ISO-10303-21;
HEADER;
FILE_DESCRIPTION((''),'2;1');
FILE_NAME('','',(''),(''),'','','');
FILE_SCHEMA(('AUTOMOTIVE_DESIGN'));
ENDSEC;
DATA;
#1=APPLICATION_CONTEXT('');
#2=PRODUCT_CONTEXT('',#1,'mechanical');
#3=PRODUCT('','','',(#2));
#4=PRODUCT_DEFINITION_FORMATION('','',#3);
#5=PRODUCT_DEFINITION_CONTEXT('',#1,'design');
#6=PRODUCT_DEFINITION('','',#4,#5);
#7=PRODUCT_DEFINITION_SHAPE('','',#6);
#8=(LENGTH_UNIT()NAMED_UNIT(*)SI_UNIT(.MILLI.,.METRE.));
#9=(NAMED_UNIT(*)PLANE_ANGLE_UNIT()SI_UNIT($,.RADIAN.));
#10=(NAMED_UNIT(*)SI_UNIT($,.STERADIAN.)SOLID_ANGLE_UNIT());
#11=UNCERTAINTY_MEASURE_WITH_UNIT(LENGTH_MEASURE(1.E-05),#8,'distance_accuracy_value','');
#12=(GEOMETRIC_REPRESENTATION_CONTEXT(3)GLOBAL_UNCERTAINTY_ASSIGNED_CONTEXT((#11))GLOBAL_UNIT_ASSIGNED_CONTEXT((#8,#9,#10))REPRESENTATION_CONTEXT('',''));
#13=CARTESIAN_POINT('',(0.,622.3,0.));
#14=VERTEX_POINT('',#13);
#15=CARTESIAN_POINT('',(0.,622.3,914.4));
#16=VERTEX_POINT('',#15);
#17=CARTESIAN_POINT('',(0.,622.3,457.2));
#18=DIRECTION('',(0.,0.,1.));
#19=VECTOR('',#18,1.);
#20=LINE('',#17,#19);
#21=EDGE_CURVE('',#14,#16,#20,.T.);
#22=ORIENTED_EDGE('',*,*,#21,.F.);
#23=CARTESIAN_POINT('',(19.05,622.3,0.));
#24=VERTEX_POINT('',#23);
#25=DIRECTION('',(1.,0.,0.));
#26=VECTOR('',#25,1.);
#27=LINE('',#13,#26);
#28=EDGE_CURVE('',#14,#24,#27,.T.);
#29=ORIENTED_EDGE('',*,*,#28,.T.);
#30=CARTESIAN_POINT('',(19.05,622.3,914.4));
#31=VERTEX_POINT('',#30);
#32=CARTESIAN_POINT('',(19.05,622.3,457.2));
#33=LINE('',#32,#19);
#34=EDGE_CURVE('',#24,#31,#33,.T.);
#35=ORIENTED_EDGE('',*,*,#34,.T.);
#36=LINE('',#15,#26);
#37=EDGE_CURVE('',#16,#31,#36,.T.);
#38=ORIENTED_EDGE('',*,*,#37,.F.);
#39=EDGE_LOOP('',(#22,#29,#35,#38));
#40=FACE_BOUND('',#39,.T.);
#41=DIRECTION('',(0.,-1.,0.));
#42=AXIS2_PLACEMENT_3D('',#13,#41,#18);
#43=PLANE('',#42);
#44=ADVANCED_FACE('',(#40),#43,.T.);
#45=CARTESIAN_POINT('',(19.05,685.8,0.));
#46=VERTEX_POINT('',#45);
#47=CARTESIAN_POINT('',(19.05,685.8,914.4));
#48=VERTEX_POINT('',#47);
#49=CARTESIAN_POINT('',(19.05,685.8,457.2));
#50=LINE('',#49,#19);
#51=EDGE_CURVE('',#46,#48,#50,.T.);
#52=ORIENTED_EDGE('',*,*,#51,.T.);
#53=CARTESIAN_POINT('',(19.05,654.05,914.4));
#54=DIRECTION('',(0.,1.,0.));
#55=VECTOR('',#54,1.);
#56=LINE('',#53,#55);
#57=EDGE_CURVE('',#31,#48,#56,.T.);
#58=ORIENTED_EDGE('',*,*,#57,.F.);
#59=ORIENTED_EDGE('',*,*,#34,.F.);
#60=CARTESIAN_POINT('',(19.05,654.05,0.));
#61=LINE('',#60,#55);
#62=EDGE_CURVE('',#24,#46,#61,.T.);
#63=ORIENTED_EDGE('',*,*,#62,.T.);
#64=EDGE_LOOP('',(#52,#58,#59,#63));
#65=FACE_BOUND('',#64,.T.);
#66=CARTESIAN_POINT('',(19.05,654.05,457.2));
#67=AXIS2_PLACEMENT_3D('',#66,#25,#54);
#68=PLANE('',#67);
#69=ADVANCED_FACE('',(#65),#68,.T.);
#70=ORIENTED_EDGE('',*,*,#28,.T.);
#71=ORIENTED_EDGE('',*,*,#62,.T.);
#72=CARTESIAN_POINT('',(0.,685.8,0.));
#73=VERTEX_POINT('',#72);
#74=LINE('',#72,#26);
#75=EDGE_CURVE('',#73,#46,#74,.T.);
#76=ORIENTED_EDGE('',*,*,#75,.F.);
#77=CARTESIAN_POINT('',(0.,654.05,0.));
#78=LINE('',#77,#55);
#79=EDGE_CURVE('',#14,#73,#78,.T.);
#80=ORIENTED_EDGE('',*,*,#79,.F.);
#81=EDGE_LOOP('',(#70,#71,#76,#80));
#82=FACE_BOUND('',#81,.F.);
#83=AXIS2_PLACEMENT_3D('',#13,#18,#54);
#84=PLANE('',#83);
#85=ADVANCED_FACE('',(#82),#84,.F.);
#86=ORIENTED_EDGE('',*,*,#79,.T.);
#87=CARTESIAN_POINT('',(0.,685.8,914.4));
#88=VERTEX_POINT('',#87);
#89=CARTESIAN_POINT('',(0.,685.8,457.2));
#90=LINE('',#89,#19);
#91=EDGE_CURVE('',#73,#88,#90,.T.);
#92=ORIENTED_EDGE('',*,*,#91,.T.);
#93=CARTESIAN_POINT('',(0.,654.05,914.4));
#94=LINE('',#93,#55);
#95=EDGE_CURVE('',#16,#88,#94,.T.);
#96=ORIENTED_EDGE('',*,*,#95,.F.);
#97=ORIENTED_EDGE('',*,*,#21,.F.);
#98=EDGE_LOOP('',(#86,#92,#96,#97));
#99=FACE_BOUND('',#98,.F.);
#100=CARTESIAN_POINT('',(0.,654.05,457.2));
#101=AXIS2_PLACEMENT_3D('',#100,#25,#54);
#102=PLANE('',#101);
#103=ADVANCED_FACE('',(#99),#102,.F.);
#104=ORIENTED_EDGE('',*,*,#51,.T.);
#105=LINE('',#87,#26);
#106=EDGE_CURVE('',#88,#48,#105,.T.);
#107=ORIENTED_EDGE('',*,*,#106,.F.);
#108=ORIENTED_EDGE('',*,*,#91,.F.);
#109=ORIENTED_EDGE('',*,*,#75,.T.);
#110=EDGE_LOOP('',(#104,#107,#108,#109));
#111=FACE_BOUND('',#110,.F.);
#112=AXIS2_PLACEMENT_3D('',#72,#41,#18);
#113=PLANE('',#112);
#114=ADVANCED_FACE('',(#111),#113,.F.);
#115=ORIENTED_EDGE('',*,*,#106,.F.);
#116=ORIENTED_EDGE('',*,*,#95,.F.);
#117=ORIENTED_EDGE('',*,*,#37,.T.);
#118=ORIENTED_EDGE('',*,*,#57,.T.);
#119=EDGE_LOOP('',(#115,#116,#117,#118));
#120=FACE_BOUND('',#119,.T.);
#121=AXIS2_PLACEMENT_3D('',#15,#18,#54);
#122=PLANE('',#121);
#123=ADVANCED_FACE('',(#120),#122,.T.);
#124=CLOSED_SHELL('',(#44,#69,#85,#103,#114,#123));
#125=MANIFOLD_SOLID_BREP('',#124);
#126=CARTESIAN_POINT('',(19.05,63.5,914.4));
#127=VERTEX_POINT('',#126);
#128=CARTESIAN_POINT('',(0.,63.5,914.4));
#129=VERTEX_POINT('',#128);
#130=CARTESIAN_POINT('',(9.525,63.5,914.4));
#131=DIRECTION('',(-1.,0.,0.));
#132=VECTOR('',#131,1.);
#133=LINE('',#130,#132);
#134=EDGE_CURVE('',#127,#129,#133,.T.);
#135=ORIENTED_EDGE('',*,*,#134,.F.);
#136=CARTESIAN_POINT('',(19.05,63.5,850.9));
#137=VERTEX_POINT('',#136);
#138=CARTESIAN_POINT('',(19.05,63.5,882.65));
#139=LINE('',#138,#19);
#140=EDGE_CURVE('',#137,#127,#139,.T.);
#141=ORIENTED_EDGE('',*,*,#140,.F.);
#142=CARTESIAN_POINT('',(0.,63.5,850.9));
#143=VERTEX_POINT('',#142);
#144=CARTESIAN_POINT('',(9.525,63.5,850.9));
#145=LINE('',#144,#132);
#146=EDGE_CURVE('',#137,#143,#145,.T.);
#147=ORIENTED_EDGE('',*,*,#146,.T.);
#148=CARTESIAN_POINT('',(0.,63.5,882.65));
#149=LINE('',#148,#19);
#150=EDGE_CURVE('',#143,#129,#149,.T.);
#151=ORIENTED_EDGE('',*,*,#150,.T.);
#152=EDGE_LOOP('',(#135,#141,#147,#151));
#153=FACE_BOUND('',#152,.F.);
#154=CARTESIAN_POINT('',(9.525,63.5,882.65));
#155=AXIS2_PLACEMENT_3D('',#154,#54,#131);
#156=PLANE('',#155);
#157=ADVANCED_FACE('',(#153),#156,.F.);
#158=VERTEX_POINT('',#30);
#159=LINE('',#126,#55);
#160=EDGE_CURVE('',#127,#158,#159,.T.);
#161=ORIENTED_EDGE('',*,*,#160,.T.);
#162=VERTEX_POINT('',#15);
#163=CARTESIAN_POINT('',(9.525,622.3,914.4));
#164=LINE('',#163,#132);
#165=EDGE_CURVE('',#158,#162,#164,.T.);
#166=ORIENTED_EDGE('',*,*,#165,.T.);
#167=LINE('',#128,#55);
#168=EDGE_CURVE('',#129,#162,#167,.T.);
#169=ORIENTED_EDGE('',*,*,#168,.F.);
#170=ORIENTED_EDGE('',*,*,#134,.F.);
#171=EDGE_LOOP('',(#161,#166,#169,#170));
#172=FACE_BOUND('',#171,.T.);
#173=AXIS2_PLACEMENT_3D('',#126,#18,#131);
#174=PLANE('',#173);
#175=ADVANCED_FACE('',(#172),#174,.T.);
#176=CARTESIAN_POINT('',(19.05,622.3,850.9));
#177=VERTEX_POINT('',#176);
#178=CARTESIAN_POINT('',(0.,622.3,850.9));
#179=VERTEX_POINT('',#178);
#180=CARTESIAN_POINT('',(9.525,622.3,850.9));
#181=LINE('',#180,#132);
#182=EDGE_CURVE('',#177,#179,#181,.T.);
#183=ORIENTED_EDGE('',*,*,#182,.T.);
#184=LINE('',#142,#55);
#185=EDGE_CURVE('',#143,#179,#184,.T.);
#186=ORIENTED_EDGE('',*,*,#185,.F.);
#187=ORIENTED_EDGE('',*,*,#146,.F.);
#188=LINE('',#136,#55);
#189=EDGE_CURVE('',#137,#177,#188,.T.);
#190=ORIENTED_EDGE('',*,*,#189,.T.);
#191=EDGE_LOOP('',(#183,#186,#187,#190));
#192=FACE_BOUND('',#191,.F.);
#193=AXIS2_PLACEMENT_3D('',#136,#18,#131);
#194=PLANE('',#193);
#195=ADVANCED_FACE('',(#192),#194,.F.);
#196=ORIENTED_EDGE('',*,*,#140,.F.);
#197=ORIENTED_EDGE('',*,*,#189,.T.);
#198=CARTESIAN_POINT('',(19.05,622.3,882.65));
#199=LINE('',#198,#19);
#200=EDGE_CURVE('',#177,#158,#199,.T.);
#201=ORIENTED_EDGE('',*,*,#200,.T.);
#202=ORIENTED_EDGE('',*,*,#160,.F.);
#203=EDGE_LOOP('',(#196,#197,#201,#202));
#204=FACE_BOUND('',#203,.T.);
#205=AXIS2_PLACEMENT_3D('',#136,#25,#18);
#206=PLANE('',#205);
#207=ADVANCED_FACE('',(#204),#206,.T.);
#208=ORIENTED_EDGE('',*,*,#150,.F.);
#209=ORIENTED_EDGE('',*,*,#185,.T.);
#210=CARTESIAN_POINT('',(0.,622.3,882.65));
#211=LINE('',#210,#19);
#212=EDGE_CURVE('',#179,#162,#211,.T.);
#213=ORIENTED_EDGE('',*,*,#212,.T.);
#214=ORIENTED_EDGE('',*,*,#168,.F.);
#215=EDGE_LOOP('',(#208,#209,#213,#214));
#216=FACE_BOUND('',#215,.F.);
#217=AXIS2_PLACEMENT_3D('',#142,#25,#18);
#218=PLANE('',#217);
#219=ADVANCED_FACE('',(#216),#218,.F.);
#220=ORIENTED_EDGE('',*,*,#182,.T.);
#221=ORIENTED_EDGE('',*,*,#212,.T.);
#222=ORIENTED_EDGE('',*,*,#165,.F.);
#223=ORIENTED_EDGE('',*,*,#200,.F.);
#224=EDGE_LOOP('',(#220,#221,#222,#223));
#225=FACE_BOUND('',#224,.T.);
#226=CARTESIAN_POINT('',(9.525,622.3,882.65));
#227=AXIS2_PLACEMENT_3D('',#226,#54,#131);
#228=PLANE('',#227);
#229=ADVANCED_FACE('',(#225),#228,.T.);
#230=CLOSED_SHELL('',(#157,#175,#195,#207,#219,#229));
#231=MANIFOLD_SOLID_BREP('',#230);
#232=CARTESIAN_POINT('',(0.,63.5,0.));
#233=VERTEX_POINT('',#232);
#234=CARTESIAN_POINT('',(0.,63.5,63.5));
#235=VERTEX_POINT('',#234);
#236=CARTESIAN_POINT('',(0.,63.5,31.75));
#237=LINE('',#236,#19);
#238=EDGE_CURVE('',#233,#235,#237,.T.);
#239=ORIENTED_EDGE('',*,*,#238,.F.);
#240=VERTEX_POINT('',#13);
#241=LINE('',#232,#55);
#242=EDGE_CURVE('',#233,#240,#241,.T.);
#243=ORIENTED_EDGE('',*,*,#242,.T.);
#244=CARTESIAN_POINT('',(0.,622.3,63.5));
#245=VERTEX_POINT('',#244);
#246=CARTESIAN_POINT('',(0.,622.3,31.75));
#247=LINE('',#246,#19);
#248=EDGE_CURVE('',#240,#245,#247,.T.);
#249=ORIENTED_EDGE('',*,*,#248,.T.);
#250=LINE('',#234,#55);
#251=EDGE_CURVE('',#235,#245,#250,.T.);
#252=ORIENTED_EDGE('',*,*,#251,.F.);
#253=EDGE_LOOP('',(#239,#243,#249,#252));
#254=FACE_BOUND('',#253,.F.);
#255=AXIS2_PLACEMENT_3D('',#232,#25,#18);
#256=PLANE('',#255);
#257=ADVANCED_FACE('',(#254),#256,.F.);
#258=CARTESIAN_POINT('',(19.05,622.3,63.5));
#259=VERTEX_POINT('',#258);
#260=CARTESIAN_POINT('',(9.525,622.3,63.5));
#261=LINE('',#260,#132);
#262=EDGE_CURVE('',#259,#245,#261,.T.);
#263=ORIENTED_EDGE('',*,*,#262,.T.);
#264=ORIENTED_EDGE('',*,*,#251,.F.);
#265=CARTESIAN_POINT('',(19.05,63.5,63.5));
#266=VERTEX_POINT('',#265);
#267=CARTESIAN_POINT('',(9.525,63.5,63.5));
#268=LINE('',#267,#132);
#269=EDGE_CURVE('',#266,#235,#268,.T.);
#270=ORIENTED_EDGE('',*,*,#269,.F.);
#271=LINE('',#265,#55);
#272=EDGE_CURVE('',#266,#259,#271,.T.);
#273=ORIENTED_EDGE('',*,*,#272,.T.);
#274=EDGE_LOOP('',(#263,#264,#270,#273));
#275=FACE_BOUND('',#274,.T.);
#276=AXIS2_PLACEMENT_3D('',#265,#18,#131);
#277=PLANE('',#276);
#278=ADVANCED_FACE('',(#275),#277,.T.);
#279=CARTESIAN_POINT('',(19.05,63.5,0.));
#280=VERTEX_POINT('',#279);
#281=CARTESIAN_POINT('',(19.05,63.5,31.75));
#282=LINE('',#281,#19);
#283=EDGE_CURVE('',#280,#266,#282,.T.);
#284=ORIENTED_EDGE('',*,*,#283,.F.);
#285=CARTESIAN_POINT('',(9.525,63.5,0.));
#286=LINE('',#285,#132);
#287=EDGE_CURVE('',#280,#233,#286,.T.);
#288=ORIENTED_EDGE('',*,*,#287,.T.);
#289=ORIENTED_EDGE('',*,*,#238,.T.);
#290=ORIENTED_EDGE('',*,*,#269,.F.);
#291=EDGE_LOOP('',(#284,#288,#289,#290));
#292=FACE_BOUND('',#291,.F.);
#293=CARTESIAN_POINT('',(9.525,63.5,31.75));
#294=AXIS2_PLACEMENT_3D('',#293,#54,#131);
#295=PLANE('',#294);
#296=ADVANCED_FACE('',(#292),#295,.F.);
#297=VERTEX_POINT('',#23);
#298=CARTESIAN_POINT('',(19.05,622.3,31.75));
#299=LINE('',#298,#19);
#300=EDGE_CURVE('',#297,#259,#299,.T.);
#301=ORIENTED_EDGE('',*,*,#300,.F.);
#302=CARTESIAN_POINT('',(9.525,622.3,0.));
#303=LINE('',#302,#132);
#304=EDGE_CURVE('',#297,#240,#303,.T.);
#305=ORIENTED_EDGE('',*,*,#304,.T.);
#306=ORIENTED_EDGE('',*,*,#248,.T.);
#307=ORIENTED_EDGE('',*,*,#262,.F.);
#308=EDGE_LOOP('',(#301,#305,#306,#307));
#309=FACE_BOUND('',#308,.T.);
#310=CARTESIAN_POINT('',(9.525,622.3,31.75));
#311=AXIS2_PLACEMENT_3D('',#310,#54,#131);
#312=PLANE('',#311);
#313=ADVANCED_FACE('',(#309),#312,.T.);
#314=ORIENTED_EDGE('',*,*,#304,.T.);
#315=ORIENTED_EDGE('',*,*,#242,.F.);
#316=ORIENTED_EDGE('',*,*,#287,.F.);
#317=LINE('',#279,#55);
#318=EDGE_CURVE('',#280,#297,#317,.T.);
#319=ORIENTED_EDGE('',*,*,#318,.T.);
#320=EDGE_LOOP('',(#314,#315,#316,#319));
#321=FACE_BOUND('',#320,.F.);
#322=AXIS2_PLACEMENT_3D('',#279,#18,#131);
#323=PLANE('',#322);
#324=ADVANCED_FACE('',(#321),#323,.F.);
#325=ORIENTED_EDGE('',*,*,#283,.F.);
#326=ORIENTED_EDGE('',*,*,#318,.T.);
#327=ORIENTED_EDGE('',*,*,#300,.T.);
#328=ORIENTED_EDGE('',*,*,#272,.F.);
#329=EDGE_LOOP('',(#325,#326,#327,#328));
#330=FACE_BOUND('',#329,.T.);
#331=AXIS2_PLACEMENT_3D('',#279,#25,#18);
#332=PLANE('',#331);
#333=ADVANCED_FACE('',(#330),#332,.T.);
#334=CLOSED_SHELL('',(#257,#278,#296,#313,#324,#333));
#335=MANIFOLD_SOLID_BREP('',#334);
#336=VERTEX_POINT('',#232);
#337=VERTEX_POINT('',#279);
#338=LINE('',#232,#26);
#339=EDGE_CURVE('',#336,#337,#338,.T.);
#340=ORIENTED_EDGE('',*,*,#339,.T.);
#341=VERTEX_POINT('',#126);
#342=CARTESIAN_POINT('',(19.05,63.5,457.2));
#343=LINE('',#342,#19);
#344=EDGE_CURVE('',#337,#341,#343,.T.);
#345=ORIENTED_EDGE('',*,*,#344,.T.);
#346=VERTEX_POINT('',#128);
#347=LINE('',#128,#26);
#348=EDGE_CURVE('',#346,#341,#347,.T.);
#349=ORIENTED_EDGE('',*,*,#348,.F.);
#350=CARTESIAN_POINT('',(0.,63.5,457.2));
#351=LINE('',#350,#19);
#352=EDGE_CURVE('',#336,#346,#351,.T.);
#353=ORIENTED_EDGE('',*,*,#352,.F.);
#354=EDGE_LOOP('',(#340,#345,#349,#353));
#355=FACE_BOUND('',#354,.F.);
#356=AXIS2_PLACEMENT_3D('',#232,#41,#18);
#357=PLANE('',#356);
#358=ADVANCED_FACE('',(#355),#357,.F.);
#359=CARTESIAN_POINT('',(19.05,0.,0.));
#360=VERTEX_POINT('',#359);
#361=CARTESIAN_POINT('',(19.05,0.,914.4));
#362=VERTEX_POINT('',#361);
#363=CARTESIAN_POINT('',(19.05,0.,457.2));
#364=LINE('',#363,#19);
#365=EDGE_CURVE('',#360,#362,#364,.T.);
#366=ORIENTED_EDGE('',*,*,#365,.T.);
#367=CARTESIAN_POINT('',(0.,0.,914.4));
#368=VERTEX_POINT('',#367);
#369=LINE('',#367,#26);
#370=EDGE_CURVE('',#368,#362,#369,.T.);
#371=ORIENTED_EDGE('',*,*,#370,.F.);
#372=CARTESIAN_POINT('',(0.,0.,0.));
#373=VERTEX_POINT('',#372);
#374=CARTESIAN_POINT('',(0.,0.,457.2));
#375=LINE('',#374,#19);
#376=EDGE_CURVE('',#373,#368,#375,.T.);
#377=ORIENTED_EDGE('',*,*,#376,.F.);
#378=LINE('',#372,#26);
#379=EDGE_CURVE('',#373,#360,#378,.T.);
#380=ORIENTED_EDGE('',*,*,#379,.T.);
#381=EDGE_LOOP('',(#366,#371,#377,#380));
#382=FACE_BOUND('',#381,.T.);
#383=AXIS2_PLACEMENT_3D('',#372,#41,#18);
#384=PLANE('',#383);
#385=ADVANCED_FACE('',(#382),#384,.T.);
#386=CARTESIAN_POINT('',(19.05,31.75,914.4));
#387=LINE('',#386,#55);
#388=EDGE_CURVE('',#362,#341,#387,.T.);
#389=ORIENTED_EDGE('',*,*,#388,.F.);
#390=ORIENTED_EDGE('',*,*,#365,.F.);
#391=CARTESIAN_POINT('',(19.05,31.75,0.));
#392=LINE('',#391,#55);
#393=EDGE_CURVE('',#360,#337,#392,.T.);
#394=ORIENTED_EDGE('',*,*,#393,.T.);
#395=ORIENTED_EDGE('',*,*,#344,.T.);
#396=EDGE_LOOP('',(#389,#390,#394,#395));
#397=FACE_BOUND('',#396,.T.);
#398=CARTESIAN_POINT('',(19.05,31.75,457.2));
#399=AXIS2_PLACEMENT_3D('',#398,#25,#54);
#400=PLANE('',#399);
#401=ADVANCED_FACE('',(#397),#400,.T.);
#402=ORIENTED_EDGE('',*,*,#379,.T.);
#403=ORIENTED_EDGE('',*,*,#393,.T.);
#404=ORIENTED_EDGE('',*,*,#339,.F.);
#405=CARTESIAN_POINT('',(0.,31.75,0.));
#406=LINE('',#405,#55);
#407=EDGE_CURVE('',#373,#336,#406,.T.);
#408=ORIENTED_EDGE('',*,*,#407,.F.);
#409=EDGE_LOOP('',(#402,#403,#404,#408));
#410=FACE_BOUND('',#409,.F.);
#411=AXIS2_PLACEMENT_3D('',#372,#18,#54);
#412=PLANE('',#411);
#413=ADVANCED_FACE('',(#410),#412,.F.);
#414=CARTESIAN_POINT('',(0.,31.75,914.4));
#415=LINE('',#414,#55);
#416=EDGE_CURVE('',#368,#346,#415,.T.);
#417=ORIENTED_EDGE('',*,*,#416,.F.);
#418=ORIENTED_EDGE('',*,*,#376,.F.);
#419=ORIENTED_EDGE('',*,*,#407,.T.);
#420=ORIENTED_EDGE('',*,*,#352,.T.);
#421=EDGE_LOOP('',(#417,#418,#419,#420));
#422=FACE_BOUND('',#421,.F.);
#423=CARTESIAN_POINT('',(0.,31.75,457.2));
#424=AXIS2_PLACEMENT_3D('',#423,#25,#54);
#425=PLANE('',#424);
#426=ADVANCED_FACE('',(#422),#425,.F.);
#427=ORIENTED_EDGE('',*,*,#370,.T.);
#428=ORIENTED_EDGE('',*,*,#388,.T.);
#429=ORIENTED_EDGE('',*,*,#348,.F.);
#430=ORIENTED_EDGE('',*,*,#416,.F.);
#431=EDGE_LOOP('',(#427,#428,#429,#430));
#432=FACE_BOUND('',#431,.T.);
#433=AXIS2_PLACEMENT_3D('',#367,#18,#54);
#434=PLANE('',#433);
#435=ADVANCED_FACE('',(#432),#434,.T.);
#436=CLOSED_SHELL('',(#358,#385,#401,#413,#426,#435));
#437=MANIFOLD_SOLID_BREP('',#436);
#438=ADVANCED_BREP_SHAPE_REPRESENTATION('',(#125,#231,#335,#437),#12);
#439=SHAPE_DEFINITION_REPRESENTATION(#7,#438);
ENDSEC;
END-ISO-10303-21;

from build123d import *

# Parameters (mm, degrees)
F0_W     = 63.5
F0_H     = 914.4
F1_DEPTH = 19.05
F2_W     = 63.5
F2_H     = 914.4
F3_DEPTH = 19.05
F4_W     = 19.05
F4_H     = 63.5
F5_DEPTH = 558.8
F6_W     = 19.05
F6_H     = 63.5
F7_DEPTH = 558.8


with BuildPart() as f1:
    # F0 (on Right) → F1 (new body)
    with BuildSketch(Plane.YZ):
        with Locations((31.75, 457.2)):
            Rectangle(F0_W, F0_H)
    extrude(amount=F1_DEPTH)


with BuildPart() as f3:
    # F2 (on Right) → F3 (new body)
    with BuildSketch(Plane.YZ):
        with Locations((654.05, 457.2)):
            Rectangle(F2_W, F2_H)
    extrude(amount=F3_DEPTH)


with BuildPart() as f5:
    # F4 (on face) → F5 (new body, through all)
    with BuildSketch(Plane(origin=(0, 63.5, 0), x_dir=(-1, 0, 0), z_dir=(0, 1, 0))):
        with Locations((-9.525, 882.65)):
            Rectangle(F4_W, F4_H)
    extrude(amount=F5_DEPTH)


with BuildPart() as f7:
    # F6 (on face) → F7 (new body, through all)
    with BuildSketch(Plane(origin=(0, 63.5, 0), x_dir=(-1, 0, 0), z_dir=(0, 1, 0))):
        with Locations((-9.525, 31.75)):
            Rectangle(F6_W, F6_H)
    extrude(amount=F7_DEPTH)


solid = Compound([f1.part, f3.part, f5.part, f7.part])
